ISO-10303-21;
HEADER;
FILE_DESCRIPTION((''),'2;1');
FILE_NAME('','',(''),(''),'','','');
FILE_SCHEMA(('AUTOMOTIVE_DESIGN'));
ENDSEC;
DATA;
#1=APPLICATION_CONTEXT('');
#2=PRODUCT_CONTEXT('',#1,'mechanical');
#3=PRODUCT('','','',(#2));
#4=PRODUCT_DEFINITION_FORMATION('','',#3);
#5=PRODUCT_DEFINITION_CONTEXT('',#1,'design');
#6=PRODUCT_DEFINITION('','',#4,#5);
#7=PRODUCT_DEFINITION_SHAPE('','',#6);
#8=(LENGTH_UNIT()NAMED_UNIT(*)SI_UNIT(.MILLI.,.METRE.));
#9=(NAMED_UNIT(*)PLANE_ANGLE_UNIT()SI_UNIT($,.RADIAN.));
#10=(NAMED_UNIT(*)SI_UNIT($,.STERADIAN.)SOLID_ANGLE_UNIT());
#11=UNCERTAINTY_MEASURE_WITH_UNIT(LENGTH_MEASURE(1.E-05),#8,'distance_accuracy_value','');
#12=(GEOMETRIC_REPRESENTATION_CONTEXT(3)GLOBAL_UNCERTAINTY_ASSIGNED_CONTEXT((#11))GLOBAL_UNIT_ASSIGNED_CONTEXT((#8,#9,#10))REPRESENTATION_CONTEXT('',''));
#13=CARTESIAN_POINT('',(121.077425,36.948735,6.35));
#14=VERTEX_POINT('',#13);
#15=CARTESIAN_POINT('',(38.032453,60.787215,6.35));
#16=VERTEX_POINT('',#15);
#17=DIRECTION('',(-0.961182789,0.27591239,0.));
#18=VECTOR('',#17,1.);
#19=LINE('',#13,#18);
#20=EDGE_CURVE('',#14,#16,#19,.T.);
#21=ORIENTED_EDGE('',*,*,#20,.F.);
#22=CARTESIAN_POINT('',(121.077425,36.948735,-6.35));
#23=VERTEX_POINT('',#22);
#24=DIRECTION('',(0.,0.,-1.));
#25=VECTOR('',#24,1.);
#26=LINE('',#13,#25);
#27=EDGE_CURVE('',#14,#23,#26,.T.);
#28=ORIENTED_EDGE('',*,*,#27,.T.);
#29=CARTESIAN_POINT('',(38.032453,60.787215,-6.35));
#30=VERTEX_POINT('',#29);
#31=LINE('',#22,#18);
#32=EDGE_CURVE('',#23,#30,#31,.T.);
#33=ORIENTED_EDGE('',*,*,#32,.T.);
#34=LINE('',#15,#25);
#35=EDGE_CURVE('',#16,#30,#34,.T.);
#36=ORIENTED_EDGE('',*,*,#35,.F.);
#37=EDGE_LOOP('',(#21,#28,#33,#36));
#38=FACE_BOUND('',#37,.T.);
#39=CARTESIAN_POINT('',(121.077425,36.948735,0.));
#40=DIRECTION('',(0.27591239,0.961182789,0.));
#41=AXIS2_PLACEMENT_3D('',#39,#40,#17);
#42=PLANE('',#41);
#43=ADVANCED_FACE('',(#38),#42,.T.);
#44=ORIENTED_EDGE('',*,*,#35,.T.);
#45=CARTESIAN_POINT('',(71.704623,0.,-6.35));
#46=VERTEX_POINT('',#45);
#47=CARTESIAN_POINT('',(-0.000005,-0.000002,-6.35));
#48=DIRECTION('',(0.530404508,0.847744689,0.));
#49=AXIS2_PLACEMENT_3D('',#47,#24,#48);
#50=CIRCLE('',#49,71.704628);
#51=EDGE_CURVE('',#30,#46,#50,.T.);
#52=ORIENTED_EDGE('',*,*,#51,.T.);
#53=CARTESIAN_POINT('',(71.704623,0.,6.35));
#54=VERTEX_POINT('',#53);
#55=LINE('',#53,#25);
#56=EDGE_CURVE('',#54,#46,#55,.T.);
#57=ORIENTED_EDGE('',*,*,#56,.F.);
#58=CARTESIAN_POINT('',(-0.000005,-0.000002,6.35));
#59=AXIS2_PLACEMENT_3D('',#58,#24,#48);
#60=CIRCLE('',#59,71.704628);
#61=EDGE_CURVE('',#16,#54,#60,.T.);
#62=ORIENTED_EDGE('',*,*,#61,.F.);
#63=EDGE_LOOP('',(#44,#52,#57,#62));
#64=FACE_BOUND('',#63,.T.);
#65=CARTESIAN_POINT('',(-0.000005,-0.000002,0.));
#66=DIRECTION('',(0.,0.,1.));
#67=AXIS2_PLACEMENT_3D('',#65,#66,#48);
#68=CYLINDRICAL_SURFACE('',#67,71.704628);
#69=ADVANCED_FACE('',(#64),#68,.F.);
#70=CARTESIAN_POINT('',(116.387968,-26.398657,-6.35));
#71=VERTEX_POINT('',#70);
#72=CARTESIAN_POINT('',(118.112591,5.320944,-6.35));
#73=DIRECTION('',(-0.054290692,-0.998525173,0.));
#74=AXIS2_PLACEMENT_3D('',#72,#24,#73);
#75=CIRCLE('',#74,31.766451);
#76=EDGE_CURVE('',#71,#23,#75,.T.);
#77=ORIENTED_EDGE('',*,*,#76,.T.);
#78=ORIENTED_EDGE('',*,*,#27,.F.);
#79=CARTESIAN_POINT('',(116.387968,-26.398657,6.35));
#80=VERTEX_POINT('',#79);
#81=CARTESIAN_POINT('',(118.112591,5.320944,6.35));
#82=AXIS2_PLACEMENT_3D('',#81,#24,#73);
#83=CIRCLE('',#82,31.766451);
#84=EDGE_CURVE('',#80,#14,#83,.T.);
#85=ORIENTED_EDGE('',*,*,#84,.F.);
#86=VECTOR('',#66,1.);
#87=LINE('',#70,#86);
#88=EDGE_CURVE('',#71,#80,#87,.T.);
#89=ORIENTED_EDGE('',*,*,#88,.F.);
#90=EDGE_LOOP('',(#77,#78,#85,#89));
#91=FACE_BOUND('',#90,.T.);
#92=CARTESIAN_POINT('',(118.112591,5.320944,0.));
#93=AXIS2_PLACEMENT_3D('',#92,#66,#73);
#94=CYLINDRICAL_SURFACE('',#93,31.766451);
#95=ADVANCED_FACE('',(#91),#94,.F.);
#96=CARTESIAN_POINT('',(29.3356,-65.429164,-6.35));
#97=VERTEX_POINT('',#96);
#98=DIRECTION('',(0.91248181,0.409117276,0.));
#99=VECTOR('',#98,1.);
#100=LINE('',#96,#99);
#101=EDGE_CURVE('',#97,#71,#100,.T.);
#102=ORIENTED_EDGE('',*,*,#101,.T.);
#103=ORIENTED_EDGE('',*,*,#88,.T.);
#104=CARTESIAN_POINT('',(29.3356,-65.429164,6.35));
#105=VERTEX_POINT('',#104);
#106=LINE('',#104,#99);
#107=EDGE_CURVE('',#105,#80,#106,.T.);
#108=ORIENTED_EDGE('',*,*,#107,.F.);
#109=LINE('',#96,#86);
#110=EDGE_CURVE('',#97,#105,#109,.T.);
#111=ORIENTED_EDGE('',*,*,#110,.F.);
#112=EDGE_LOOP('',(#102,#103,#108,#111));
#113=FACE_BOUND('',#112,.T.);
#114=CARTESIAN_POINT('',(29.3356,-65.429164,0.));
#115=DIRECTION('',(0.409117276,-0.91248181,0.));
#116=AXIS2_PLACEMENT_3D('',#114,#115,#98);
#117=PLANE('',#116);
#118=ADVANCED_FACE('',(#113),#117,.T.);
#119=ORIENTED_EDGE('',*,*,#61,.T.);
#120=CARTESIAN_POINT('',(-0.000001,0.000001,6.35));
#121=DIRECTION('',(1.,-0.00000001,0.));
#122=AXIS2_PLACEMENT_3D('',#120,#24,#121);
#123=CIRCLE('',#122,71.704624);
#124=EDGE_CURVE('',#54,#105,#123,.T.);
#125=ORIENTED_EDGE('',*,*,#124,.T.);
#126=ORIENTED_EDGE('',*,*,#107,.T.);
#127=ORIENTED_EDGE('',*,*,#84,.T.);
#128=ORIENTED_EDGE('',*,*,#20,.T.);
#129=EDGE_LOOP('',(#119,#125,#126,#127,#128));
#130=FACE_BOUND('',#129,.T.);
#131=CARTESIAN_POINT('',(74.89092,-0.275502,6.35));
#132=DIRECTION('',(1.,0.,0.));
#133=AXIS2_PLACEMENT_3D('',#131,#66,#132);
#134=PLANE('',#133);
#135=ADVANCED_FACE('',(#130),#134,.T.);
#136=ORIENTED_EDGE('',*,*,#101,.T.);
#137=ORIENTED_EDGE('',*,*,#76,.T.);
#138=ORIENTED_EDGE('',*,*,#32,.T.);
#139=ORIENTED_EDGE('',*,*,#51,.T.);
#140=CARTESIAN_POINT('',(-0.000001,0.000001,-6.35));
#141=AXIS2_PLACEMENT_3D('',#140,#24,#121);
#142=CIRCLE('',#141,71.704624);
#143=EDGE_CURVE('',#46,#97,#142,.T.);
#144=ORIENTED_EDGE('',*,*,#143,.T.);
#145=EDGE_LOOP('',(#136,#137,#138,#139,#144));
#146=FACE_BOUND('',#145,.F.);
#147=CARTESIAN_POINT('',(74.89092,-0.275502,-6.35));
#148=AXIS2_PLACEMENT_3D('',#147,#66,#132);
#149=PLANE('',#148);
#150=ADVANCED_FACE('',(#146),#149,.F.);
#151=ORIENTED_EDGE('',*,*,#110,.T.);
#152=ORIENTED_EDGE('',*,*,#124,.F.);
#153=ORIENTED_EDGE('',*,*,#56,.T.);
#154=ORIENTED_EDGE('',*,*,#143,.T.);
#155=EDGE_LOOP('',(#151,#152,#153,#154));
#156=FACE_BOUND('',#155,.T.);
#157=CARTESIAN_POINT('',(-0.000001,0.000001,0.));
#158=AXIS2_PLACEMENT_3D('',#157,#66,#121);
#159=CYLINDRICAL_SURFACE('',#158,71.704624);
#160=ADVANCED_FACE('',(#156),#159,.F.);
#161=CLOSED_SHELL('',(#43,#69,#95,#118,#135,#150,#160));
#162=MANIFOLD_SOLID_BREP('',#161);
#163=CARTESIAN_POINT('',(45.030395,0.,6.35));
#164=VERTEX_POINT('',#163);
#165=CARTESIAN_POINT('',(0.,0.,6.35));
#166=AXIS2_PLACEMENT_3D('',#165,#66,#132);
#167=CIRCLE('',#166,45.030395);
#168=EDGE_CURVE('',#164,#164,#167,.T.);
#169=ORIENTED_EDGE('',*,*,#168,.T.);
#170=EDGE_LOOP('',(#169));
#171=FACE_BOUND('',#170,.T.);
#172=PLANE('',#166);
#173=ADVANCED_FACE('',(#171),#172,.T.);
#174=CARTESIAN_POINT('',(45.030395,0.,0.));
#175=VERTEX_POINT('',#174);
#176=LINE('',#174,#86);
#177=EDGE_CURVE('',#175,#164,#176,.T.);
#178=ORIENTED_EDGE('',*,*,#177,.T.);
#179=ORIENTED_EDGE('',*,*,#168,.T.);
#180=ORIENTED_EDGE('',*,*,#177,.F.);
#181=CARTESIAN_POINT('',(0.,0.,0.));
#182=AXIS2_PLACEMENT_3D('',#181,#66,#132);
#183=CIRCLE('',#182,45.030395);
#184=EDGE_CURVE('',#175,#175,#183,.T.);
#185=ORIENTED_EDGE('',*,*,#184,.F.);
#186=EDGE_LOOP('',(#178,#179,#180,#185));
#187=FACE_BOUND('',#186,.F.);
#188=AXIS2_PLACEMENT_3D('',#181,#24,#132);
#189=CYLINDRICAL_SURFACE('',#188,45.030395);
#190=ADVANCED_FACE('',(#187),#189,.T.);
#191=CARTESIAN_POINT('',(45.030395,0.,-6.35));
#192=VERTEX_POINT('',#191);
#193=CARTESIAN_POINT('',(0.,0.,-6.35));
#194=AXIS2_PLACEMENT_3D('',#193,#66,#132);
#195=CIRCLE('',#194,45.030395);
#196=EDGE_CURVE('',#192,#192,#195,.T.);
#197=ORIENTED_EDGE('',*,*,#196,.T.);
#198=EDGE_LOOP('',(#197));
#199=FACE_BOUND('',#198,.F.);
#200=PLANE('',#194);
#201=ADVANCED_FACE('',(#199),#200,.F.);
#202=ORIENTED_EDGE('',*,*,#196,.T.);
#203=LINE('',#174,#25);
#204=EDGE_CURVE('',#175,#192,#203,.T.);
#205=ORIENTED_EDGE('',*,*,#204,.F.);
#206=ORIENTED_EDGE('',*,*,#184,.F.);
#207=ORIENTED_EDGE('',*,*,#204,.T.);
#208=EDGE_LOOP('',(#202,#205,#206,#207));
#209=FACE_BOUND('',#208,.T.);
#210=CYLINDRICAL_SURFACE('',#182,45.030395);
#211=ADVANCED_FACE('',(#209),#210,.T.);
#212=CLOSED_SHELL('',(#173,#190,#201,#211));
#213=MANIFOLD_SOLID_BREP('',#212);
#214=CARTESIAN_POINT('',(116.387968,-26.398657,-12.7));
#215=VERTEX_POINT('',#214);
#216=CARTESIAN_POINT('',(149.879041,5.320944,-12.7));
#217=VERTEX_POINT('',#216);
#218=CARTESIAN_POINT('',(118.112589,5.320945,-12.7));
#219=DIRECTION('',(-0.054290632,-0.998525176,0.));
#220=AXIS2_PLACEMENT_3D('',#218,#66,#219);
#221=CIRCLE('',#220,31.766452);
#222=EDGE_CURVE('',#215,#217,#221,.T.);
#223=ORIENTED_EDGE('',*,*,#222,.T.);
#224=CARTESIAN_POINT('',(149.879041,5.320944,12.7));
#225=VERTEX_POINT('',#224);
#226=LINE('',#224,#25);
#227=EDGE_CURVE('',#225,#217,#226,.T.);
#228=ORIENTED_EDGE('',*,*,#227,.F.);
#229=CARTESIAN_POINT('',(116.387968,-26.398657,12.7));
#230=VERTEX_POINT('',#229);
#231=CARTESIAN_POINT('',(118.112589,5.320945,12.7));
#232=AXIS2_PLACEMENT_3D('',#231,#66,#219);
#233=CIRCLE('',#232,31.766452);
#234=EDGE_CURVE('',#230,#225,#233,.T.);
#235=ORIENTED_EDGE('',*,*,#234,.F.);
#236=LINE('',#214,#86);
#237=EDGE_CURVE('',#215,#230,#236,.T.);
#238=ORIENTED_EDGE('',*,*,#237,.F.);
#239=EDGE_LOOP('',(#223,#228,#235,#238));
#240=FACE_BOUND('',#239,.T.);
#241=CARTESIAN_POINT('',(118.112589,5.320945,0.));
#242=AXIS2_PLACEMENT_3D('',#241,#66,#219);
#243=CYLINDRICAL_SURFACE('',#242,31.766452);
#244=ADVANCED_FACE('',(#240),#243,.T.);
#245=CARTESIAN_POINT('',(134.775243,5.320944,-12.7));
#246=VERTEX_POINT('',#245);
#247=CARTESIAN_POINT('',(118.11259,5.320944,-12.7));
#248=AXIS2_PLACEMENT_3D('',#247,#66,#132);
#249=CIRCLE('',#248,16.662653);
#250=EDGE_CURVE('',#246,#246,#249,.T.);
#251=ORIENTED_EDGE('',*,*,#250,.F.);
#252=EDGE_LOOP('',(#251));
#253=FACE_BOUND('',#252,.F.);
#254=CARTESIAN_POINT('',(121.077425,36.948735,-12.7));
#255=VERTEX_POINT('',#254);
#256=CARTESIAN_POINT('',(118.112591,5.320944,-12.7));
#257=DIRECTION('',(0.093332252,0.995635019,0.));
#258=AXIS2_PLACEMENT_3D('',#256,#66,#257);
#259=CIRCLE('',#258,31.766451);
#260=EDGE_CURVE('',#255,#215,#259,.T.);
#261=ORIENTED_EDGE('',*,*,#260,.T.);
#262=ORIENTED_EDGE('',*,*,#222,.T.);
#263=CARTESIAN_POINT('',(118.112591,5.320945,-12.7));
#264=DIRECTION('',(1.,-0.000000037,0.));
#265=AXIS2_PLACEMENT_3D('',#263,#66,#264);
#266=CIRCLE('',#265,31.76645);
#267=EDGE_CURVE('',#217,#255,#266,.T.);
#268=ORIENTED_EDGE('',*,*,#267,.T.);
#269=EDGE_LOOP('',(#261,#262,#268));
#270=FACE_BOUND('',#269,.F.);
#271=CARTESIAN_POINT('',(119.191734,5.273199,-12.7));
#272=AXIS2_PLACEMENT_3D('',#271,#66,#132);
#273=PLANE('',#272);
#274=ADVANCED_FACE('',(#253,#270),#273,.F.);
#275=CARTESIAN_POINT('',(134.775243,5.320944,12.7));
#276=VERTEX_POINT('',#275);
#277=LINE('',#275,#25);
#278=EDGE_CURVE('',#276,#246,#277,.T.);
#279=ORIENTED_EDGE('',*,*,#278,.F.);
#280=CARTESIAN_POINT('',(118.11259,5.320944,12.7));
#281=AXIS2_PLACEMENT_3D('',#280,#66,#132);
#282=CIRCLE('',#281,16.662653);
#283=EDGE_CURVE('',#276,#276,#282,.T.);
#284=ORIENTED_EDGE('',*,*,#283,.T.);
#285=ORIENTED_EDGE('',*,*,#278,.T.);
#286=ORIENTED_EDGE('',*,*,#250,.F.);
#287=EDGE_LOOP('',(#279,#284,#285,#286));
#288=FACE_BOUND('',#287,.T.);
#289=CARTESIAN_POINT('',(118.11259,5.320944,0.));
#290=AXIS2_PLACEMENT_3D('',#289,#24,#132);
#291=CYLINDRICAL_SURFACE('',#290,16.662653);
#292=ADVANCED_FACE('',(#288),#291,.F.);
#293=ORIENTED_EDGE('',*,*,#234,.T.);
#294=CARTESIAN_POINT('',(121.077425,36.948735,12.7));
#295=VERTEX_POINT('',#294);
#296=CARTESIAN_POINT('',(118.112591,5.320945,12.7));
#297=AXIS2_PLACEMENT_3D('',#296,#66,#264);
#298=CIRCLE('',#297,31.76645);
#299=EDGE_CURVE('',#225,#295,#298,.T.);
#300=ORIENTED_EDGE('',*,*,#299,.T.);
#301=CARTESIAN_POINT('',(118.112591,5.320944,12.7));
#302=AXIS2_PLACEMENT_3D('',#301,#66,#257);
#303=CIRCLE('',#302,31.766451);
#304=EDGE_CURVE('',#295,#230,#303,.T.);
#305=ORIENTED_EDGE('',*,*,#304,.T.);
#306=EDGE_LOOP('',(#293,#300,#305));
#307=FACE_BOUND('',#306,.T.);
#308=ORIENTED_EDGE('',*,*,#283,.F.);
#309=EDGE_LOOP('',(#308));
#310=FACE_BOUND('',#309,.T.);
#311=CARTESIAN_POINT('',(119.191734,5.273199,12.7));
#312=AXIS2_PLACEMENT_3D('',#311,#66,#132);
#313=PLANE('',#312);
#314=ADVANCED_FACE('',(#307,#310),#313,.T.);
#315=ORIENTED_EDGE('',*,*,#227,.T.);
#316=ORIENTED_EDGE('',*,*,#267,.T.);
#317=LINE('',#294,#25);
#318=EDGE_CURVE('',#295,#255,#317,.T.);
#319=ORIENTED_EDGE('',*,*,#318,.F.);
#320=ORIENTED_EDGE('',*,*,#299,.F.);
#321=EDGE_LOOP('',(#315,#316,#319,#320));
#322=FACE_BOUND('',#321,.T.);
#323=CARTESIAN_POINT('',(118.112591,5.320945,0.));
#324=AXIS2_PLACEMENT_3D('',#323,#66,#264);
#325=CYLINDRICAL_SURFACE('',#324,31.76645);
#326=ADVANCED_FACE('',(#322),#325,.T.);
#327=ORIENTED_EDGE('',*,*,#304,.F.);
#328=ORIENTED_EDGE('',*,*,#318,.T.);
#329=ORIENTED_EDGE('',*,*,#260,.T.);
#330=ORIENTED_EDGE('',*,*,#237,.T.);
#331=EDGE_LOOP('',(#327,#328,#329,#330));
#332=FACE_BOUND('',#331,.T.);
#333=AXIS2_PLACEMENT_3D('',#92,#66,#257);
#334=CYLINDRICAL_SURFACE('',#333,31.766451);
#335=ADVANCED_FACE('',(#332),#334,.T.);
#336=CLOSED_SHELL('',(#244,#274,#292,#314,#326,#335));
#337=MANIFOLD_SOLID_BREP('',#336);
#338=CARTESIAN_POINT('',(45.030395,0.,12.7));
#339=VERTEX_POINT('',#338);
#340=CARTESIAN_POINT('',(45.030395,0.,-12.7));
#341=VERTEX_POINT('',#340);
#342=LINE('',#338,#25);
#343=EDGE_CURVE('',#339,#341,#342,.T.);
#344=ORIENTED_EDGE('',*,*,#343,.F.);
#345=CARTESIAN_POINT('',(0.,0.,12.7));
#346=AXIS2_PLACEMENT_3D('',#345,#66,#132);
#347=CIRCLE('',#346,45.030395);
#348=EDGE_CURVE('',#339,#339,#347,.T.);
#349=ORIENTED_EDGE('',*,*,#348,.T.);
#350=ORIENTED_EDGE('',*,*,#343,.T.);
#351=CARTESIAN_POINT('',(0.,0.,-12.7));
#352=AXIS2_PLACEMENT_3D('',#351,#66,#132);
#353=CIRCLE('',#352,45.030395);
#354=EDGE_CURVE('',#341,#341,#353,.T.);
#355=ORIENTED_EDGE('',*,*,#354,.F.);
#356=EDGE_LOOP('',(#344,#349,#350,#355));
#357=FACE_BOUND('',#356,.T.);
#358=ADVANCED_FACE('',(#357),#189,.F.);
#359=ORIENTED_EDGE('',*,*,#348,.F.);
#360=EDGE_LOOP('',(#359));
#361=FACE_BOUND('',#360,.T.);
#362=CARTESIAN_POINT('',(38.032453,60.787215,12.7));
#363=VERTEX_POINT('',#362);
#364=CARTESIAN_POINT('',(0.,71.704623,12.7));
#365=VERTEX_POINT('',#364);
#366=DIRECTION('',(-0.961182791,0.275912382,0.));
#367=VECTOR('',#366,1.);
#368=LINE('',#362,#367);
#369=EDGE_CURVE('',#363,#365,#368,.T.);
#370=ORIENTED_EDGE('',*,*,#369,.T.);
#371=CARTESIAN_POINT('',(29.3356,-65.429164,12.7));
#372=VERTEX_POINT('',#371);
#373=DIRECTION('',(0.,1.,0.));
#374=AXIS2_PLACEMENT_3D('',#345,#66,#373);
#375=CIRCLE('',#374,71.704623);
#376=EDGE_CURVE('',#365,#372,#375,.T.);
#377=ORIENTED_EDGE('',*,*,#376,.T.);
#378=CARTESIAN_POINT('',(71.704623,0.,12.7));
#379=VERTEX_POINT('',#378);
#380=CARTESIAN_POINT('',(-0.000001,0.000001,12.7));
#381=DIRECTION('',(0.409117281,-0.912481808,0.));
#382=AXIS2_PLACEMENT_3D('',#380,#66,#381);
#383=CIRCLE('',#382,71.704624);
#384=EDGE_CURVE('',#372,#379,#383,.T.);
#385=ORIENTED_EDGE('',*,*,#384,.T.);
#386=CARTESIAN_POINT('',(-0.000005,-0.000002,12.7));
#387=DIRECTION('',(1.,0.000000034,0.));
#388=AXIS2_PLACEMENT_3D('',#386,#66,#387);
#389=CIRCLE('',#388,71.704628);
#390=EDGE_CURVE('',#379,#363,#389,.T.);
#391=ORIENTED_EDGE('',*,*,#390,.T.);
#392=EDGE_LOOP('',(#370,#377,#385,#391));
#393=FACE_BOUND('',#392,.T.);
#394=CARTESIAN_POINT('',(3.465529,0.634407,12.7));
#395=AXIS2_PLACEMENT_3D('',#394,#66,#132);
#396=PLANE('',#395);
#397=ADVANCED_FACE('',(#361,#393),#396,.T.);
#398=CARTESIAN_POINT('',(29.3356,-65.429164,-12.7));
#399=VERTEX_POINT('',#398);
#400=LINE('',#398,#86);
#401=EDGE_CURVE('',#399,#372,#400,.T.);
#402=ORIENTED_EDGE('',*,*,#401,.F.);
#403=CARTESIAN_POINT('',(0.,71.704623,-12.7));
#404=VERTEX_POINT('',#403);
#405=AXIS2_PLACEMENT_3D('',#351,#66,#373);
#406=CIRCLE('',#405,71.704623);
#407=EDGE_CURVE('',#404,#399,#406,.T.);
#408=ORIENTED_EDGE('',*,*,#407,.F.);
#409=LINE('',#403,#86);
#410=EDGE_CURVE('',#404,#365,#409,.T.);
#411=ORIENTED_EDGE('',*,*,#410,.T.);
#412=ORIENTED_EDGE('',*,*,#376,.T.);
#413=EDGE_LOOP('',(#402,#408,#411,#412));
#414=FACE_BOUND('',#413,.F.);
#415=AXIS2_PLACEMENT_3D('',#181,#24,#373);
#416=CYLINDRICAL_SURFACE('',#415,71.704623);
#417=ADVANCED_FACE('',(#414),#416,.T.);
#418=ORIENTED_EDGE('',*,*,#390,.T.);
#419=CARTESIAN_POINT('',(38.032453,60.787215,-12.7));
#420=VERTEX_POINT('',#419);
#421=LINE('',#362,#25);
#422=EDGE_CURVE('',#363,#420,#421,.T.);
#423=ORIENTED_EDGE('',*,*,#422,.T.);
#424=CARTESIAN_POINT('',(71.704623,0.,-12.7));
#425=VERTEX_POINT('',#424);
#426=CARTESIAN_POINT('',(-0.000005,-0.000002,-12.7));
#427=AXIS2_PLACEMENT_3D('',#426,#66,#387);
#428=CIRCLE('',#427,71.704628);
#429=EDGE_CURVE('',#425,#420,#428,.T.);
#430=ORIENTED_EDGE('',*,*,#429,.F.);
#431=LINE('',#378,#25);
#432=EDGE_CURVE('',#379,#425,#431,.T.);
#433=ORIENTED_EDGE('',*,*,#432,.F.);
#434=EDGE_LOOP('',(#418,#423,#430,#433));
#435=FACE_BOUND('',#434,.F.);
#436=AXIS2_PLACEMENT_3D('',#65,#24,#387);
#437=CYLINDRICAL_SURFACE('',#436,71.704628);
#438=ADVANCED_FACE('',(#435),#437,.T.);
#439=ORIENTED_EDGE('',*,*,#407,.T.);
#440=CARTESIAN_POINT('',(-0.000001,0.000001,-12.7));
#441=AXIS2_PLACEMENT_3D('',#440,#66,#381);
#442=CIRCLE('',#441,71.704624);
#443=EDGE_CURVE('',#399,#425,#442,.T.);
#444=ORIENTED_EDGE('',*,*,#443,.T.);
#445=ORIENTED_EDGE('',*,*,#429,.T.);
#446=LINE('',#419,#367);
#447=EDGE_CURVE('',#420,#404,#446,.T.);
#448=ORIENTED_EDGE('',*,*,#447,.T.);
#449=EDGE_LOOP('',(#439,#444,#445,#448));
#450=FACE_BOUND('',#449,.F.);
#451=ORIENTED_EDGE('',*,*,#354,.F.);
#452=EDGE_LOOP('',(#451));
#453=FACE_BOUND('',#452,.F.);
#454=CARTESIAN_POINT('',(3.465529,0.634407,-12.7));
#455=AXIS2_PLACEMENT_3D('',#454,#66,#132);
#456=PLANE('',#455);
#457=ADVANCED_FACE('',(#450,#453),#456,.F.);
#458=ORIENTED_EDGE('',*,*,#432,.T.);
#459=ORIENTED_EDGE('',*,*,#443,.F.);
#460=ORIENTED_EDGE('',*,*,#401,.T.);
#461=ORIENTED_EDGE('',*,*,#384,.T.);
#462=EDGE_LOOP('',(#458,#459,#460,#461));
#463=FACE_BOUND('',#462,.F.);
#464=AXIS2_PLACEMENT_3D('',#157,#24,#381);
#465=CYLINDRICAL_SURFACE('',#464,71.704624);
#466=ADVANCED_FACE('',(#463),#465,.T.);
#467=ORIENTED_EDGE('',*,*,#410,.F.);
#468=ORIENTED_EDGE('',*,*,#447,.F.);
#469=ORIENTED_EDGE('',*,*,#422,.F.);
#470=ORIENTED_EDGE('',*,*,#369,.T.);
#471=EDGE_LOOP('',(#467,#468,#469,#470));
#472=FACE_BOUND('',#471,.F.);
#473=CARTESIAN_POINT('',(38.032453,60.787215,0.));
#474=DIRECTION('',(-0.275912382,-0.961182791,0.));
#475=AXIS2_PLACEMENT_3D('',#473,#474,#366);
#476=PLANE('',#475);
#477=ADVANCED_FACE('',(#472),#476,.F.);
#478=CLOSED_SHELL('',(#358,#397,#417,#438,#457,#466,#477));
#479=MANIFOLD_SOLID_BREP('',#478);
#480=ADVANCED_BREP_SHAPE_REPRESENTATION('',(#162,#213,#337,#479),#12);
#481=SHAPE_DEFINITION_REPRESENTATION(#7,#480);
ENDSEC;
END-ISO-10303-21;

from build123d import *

# Parameters (mm, degrees)
F0_R     = 45.030395
F0_R_2   = 16.662653
F1_DEPTH = 12.7
F2_DEPTH = 6.35


with BuildPart() as f1:
    # F0 (on Top) → F1 (new body, symmetric)
    with BuildSketch(Plane.XY):
        with BuildLine():
            Line((38.032453, 60.787215), (0, 71.704623))
            ThreePointArc((0, 71.704623), (-70.118209, -14.999657), (29.3356, -65.429164))
            ThreePointArc((29.3356, -65.429164), (60.18742, -38.974702), (71.704623, 0))
            ThreePointArc((71.704623, 0), (62.72422, 34.745145), (38.032453, 60.787215))
        make_face()
        Circle(F0_R, mode=Mode.SUBTRACT)
        with BuildLine():
            ThreePointArc((121.077425, 36.948735), (86.432825, 7.666122), (116.387968, -26.398657))
            ThreePointArc((116.387968, -26.398657), (139.956608, -17.743016), (149.879041, 5.320944))
            ThreePointArc((149.879041, 5.320944), (141.599711, 26.709319), (121.077425, 36.948735))
        make_face()
        with Locations((118.11259, 5.320944)):
            Circle(F0_R_2, mode=Mode.SUBTRACT)
    extrude(amount=F1_DEPTH, both=True)


with BuildPart() as f2:
    # F0 (on Top) → F2 (new body, symmetric)
    with BuildSketch(Plane.XY):
        Circle(F0_R)
        with BuildLine():
            ThreePointArc((71.704623, 0), (60.18742, -38.974702), (29.3356, -65.429164))
            Line((29.3356, -65.429164), (116.387968, -26.398657))
            ThreePointArc((116.387968, -26.398657), (86.432825, 7.666122), (121.077425, 36.948735))
            Line((121.077425, 36.948735), (38.032453, 60.787215))
            ThreePointArc((38.032453, 60.787215), (62.72422, 34.745145), (71.704623, 0))
        make_face()
    extrude(amount=F2_DEPTH, both=True)


solid = Compound([f1.part, f2.part])
